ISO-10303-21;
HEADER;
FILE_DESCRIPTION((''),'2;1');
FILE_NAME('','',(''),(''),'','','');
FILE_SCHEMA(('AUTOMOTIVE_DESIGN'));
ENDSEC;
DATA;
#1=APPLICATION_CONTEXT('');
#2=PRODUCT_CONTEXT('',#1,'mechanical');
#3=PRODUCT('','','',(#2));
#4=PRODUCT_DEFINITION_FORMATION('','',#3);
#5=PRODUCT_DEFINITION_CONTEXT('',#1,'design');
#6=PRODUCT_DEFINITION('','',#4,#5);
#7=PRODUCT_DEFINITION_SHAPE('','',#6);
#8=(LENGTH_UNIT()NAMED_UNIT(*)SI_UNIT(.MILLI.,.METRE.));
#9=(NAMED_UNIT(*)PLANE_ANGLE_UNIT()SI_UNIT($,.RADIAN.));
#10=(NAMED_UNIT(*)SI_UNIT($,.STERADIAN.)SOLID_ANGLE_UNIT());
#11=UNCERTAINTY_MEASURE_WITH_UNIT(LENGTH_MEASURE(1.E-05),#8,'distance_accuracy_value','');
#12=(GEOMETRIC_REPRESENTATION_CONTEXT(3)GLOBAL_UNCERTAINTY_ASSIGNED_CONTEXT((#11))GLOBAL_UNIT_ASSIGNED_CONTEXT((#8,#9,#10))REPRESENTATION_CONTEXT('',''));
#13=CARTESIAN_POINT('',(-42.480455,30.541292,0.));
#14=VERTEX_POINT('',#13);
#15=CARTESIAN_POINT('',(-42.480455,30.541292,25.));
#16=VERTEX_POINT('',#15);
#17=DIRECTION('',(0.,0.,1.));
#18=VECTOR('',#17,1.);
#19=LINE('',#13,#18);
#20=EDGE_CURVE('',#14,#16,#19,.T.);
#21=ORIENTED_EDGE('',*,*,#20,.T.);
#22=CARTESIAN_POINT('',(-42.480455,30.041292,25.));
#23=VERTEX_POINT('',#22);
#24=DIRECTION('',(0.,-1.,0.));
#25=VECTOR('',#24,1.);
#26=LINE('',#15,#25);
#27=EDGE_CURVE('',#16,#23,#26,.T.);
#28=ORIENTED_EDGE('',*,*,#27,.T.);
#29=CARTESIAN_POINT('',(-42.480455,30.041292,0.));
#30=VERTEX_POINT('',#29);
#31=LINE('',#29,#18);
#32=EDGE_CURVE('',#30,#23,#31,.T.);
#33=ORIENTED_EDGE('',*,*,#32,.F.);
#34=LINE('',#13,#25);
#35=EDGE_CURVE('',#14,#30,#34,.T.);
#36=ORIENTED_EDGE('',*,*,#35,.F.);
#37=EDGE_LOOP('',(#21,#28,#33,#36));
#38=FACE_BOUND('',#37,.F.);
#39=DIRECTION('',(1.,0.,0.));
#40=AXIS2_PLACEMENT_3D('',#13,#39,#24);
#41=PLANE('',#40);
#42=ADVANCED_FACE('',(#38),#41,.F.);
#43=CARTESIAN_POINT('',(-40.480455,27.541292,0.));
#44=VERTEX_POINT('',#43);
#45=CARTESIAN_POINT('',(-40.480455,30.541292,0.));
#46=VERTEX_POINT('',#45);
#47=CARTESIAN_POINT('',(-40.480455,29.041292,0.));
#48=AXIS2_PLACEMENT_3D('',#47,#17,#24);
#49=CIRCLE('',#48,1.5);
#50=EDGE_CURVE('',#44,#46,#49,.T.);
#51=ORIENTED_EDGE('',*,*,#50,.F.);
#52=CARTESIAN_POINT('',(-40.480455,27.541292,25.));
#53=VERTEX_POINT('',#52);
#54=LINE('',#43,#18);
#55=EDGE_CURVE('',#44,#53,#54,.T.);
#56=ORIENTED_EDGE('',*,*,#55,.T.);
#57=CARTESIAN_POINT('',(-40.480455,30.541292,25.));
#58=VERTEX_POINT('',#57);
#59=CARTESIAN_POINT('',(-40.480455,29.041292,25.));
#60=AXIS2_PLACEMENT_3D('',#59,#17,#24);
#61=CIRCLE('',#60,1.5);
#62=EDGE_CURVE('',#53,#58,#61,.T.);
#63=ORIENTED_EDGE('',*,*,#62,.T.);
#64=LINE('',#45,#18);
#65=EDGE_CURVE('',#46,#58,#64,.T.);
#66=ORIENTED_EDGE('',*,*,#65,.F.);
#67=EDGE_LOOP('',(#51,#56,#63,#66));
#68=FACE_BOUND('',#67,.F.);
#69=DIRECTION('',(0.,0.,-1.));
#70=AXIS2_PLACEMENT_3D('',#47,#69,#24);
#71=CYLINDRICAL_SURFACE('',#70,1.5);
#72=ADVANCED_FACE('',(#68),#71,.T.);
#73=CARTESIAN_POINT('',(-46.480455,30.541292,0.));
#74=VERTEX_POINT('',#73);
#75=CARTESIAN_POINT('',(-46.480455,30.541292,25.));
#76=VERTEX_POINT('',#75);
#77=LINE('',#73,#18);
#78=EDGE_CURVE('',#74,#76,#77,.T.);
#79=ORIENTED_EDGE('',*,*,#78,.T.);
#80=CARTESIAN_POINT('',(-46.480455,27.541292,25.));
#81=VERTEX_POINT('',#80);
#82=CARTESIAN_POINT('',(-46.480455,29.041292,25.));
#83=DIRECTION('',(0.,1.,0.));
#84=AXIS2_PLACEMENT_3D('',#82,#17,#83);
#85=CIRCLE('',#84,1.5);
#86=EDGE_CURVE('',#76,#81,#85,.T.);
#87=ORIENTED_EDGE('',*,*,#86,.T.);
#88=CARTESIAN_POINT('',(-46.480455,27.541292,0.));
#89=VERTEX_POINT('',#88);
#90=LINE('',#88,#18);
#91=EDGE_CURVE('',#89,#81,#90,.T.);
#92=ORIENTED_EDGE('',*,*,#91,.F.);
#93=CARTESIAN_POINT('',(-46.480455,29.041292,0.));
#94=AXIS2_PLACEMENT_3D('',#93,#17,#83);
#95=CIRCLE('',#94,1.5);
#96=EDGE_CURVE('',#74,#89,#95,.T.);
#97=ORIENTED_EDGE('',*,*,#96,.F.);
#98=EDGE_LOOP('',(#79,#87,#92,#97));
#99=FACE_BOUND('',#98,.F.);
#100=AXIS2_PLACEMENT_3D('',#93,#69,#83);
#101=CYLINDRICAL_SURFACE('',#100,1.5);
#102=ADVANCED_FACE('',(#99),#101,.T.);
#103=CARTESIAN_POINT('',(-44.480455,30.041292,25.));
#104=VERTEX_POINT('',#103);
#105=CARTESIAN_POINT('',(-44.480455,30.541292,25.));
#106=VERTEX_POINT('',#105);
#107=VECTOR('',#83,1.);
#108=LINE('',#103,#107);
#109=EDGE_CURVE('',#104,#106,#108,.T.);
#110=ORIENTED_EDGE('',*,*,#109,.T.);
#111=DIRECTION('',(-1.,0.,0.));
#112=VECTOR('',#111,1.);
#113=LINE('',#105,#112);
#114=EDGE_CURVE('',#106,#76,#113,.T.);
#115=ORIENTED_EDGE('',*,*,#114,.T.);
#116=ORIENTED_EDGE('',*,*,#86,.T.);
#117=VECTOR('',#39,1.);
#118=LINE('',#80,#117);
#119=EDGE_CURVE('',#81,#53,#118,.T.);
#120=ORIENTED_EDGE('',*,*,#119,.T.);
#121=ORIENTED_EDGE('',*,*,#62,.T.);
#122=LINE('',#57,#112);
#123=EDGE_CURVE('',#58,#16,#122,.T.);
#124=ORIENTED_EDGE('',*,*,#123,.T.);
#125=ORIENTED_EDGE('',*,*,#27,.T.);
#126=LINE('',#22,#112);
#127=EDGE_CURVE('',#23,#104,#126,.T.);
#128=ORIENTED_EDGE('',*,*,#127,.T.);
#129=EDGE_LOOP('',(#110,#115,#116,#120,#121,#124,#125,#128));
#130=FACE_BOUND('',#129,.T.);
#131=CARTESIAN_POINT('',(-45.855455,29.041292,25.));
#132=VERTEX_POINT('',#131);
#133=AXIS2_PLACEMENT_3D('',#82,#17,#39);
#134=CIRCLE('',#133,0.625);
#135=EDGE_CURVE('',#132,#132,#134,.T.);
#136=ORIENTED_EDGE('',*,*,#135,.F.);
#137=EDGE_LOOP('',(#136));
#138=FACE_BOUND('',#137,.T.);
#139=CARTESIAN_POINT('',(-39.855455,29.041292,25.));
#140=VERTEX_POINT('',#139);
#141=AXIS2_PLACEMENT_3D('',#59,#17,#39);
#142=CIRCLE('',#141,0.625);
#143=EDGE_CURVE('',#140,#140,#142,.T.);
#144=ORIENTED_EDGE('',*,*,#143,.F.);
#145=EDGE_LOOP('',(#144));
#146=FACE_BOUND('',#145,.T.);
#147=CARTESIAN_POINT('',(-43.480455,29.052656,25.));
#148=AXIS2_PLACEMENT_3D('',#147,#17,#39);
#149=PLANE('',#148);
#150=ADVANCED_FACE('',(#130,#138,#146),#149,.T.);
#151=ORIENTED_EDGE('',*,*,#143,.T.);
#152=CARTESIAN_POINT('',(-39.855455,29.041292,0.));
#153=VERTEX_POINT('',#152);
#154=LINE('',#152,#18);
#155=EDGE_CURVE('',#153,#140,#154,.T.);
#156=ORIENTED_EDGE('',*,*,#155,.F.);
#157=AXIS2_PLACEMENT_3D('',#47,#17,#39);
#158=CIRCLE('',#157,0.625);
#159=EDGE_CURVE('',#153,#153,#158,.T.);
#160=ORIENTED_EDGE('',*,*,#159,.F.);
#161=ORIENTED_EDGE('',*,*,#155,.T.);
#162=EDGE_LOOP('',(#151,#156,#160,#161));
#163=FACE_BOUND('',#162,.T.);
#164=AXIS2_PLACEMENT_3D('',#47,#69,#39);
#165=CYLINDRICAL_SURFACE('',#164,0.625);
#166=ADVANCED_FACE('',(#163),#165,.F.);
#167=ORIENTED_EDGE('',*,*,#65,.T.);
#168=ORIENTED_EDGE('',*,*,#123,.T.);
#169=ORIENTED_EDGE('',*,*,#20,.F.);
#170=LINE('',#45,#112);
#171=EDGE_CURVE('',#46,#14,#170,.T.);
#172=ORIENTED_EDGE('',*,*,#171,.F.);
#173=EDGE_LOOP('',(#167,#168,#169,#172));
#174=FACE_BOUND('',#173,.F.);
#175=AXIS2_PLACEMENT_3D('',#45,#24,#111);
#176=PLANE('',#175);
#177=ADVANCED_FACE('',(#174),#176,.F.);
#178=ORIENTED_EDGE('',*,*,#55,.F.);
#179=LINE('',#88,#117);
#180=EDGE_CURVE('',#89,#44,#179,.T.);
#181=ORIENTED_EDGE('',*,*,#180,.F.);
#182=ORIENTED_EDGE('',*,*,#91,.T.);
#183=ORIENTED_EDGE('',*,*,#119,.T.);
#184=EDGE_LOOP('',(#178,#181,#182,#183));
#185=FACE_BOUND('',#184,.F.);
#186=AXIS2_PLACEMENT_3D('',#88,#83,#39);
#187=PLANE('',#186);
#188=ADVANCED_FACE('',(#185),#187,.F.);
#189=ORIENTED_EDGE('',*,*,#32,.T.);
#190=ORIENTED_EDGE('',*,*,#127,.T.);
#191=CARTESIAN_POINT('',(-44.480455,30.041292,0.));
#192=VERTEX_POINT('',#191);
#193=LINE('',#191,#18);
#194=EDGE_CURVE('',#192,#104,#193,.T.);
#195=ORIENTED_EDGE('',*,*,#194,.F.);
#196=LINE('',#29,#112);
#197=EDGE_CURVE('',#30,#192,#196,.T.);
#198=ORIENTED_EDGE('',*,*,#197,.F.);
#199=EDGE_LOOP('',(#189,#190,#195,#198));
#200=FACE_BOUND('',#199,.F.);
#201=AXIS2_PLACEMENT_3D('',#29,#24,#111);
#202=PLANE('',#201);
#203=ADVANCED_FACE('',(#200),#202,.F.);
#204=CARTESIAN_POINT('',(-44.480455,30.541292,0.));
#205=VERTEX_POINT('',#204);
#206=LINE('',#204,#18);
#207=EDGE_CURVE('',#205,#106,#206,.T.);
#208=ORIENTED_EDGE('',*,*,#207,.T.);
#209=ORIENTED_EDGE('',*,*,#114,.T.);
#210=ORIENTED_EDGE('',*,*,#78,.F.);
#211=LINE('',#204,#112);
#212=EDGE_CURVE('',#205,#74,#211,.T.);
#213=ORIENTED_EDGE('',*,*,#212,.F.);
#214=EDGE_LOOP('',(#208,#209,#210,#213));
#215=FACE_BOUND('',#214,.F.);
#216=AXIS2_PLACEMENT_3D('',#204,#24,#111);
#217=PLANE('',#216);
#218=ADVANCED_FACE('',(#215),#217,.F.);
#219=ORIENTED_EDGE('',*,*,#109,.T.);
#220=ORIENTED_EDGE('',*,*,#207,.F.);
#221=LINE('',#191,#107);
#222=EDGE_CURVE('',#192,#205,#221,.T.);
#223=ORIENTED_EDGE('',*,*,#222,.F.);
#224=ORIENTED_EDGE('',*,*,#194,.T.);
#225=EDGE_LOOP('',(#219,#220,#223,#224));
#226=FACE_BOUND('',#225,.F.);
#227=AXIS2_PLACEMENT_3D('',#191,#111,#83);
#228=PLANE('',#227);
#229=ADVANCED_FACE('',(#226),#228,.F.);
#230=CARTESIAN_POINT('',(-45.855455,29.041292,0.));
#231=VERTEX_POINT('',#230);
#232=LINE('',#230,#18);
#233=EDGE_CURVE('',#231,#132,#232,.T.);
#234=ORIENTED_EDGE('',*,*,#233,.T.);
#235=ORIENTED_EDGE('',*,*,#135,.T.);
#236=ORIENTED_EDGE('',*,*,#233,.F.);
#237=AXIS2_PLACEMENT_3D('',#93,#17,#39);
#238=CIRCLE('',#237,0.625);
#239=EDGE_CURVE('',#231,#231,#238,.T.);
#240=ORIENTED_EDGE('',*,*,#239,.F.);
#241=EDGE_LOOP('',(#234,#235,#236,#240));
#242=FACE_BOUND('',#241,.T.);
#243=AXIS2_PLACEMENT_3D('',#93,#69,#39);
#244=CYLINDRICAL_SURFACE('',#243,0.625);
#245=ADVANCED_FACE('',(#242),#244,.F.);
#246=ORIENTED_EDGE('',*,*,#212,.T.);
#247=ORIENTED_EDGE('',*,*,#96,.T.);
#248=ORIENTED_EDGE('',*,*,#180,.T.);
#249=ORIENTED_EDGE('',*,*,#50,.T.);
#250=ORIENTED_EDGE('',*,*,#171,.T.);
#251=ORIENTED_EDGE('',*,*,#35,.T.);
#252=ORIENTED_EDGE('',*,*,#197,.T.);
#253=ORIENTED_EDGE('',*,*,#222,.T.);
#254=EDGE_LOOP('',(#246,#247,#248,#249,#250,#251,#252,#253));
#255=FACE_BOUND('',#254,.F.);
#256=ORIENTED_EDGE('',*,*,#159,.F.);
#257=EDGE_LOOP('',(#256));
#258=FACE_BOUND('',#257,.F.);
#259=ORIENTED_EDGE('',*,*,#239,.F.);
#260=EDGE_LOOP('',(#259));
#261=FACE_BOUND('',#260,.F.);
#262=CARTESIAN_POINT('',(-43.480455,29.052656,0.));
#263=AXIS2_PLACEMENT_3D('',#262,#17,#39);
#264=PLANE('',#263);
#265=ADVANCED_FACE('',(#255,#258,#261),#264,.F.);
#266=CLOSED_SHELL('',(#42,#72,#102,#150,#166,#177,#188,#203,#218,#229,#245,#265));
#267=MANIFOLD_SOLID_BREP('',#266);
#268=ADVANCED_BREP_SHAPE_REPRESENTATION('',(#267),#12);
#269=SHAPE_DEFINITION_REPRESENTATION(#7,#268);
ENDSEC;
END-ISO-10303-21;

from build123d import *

# Parameters (mm, degrees)
F0_R     = 0.625
F1_DEPTH = 25


with BuildPart() as f1:
    # F0 (on Top) → F1 (new body)
    with BuildSketch(Plane.XY):
        with BuildLine():
            Line((-46.480455, 27.541292), (-40.480455, 27.541292))
            ThreePointArc((-40.480455, 27.541292), (-38.980455, 29.041292), (-40.480455, 30.541292))
            Line((-40.480455, 30.541292), (-42.480455, 30.541292))
            Line((-42.480455, 30.541292), (-42.480455, 30.041292))
            Line((-42.480455, 30.041292), (-44.480455, 30.041292))
            Line((-44.480455, 30.041292), (-44.480455, 30.541292))
            Line((-44.480455, 30.541292), (-46.480455, 30.541292))
            ThreePointArc((-46.480455, 30.541292), (-47.980455, 29.041292), (-46.480455, 27.541292))
        make_face()
        with Locations((-46.480455, 29.041292)):
            Circle(F0_R, mode=Mode.SUBTRACT)
        with Locations((-40.480455, 29.041292)):
            Circle(F0_R, mode=Mode.SUBTRACT)
    extrude(amount=F1_DEPTH)


solid = f1.part
